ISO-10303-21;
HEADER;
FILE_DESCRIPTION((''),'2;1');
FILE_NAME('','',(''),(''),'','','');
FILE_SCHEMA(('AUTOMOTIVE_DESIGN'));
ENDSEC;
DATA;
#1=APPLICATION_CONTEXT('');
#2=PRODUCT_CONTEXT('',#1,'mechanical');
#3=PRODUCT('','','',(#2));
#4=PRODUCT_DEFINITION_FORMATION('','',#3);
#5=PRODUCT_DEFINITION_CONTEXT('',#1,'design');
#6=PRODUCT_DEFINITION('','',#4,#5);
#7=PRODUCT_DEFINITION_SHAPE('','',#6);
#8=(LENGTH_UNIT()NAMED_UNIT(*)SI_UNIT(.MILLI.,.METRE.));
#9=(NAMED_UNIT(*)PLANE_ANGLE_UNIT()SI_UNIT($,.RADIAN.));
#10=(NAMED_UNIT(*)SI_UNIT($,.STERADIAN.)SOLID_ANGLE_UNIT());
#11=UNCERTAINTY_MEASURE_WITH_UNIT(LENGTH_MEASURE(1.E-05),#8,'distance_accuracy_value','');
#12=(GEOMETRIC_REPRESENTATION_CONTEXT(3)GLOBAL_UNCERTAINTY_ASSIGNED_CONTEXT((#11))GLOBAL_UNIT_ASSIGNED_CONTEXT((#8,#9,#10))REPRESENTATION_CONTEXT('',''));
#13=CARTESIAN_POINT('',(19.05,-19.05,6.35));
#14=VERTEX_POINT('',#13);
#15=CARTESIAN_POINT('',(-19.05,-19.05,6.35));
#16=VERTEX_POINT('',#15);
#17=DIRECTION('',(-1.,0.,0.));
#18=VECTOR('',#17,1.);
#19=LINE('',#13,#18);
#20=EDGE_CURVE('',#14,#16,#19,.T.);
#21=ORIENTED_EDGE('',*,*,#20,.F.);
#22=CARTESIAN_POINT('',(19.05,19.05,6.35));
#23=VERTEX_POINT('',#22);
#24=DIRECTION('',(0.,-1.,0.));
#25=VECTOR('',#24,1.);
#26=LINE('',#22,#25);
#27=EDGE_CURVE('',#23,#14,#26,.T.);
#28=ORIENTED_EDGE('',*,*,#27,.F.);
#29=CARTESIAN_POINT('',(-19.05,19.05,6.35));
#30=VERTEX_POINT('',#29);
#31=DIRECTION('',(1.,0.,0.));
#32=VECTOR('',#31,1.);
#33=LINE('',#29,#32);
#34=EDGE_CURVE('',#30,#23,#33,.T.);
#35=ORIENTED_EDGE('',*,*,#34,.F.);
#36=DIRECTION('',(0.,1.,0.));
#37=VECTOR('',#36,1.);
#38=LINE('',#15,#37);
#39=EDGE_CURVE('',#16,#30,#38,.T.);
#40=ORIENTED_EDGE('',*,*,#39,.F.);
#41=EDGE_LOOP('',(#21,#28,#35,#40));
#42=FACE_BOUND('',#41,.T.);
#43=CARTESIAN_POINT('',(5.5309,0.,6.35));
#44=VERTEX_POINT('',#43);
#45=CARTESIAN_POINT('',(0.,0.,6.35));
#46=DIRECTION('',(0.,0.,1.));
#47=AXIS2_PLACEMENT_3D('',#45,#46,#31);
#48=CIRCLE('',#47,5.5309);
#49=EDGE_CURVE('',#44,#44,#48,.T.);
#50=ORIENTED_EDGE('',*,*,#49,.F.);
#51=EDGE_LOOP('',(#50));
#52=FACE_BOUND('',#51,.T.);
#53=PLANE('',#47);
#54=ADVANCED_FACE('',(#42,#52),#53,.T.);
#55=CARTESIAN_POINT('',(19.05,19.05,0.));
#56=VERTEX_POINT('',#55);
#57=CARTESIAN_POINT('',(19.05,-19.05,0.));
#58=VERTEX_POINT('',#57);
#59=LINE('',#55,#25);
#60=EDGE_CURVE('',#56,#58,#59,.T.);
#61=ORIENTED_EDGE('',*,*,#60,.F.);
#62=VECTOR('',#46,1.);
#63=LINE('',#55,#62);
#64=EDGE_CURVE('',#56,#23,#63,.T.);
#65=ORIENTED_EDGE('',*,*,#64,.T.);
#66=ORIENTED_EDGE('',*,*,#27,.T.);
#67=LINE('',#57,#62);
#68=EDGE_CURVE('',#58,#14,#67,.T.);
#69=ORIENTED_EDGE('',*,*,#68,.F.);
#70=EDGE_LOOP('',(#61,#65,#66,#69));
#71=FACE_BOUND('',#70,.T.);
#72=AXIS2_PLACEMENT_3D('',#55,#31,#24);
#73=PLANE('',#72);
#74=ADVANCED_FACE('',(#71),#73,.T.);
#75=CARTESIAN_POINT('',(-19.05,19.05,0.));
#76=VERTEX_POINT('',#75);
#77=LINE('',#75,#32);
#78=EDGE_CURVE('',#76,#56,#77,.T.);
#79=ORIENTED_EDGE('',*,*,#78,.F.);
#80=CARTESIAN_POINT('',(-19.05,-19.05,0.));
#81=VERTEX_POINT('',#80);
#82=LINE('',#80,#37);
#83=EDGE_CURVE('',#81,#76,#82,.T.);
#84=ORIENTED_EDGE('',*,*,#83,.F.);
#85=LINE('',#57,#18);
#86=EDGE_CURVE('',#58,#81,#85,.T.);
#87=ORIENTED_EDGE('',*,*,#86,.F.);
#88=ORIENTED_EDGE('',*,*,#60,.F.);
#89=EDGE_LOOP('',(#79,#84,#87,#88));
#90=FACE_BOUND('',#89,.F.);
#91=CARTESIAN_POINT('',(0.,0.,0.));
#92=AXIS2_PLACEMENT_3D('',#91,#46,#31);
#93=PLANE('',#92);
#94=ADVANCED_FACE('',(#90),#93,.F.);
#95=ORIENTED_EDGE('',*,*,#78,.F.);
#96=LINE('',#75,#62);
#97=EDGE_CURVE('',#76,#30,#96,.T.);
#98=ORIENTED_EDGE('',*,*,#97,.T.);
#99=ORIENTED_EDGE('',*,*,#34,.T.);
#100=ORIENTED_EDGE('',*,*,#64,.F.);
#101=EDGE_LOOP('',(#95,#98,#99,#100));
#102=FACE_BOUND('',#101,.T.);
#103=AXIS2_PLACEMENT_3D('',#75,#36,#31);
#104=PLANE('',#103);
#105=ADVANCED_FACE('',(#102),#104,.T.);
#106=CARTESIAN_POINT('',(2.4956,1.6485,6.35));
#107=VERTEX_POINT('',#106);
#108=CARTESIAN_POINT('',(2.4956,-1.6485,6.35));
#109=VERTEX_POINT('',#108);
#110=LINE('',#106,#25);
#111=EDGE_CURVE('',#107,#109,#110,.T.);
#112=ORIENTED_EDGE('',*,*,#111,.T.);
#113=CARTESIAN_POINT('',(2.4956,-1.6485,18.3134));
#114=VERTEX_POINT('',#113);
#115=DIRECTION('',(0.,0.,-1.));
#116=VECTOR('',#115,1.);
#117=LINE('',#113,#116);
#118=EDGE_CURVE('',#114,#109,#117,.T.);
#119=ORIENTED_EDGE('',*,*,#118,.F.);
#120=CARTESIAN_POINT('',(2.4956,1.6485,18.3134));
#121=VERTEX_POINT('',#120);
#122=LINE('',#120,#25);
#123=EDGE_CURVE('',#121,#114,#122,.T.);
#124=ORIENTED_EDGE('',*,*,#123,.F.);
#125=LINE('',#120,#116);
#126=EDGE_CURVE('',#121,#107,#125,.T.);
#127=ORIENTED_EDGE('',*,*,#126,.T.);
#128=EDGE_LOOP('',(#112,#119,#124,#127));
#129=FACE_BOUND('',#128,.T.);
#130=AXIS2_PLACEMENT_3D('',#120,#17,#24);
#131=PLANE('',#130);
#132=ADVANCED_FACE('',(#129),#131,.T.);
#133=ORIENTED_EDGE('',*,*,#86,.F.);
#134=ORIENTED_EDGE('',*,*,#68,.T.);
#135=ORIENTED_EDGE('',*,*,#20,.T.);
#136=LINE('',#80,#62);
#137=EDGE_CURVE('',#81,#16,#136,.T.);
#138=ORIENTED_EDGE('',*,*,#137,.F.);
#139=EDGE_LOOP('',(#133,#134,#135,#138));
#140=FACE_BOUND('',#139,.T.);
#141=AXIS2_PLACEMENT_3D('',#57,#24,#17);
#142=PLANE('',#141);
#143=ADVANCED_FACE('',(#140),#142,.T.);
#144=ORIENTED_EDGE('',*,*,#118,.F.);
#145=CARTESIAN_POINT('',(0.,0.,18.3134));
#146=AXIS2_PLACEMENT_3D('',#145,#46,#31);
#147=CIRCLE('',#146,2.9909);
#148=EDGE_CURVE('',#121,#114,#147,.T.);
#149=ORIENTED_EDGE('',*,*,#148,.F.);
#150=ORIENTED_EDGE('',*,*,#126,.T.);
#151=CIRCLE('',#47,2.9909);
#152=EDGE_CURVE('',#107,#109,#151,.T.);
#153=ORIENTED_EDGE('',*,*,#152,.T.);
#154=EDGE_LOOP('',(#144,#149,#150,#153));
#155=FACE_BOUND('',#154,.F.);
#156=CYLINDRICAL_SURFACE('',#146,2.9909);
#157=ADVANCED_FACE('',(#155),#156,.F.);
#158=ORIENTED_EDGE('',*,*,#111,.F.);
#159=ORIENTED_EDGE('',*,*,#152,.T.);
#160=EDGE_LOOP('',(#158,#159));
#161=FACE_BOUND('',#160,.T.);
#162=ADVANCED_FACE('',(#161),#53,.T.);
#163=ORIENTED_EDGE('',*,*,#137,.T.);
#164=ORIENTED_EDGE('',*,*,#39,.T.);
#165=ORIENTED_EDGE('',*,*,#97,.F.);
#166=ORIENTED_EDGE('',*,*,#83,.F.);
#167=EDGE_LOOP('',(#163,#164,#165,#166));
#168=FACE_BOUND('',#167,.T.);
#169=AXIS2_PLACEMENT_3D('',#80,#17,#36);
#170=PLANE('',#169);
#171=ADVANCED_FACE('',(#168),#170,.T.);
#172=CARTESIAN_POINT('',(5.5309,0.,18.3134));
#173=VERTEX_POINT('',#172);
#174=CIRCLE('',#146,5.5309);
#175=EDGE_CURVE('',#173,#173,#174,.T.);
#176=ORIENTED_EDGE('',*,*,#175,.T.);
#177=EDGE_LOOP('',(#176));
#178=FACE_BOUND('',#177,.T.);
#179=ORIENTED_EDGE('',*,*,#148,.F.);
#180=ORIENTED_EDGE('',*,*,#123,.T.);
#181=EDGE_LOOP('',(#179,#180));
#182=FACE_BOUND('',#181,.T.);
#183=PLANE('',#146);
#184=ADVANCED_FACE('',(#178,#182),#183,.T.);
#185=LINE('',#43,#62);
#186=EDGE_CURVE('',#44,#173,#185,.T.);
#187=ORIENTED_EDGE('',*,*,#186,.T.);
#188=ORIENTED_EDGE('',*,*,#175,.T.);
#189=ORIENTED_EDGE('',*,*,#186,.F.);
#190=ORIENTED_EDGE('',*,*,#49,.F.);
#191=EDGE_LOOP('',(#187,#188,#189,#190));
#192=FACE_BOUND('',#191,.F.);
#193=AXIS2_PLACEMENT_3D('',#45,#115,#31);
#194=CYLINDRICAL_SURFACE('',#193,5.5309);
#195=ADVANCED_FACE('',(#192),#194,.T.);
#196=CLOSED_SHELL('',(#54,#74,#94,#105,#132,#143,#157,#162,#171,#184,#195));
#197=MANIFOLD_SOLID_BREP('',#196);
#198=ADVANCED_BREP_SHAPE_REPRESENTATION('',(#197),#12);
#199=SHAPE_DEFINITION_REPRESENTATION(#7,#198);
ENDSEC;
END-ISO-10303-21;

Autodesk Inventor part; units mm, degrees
ref_plane "YZ Plane" through (0, 0, 0) normal (1, 0, 0) x (0, 1, 0)
ref_plane "XZ Plane" through (0, 0, 0) normal (0, 1, 0) x (-1, 0, 0)
ref_plane "XY Plane" through (0, 0, 0) normal (0, 0, 1) x (1, 0, 0)
sketch "Sketch1" plane through (0, 0, 0) normal (0, 0, 1) x (1, 0, 0)
  line L0 (19.05, -19.05) -> (-19.05, -19.05)
  line L1 (-19.05, -19.05) -> (-19.05, 19.05)
  line L2 (-19.05, 19.05) -> (19.05, 19.05)
  line L3 (19.05, 19.05) -> (19.05, -19.05)
  line L4 (19.05, -19.05) -> (-19.05, 19.05) construction
  line L5 (-19.05, -19.05) -> (19.05, 19.05) construction
  point P0 (0, 0)
  dimension "d0" = 38.1
  dimension "d1" = 38.1
extrude "Extrusion1" add sketch "Sketch1" along normal blind 6.35
sketch "Sketch2" plane through (0, 0, 6.35) normal (0, 0, 1) x (1, 0, 0)
  circle A0 centre (0, 0) radius 5.5309
  dimension "d4" = 11.0617
extrude "Extrusion2" add sketch "Sketch2" along normal blind 11.9634
sketch "Sketch3" plane through (0, 0, 18.3134) normal (0, 0, 1) x (1, 0, 0)
  circle A0 centre (0, 0) radius 2.9909
  line L0 (2.4956, 1.6485) -> (2.4956, -1.6485)
  dimension "d7" = 5.9817
  dimension "d8" = 5.4864
extrude "Extrusion3" cut sketch "Sketch3" against normal blind 11.9634 contours L0 A0 picked at (0.3599, 0.1211)
properties part number "Hub"
